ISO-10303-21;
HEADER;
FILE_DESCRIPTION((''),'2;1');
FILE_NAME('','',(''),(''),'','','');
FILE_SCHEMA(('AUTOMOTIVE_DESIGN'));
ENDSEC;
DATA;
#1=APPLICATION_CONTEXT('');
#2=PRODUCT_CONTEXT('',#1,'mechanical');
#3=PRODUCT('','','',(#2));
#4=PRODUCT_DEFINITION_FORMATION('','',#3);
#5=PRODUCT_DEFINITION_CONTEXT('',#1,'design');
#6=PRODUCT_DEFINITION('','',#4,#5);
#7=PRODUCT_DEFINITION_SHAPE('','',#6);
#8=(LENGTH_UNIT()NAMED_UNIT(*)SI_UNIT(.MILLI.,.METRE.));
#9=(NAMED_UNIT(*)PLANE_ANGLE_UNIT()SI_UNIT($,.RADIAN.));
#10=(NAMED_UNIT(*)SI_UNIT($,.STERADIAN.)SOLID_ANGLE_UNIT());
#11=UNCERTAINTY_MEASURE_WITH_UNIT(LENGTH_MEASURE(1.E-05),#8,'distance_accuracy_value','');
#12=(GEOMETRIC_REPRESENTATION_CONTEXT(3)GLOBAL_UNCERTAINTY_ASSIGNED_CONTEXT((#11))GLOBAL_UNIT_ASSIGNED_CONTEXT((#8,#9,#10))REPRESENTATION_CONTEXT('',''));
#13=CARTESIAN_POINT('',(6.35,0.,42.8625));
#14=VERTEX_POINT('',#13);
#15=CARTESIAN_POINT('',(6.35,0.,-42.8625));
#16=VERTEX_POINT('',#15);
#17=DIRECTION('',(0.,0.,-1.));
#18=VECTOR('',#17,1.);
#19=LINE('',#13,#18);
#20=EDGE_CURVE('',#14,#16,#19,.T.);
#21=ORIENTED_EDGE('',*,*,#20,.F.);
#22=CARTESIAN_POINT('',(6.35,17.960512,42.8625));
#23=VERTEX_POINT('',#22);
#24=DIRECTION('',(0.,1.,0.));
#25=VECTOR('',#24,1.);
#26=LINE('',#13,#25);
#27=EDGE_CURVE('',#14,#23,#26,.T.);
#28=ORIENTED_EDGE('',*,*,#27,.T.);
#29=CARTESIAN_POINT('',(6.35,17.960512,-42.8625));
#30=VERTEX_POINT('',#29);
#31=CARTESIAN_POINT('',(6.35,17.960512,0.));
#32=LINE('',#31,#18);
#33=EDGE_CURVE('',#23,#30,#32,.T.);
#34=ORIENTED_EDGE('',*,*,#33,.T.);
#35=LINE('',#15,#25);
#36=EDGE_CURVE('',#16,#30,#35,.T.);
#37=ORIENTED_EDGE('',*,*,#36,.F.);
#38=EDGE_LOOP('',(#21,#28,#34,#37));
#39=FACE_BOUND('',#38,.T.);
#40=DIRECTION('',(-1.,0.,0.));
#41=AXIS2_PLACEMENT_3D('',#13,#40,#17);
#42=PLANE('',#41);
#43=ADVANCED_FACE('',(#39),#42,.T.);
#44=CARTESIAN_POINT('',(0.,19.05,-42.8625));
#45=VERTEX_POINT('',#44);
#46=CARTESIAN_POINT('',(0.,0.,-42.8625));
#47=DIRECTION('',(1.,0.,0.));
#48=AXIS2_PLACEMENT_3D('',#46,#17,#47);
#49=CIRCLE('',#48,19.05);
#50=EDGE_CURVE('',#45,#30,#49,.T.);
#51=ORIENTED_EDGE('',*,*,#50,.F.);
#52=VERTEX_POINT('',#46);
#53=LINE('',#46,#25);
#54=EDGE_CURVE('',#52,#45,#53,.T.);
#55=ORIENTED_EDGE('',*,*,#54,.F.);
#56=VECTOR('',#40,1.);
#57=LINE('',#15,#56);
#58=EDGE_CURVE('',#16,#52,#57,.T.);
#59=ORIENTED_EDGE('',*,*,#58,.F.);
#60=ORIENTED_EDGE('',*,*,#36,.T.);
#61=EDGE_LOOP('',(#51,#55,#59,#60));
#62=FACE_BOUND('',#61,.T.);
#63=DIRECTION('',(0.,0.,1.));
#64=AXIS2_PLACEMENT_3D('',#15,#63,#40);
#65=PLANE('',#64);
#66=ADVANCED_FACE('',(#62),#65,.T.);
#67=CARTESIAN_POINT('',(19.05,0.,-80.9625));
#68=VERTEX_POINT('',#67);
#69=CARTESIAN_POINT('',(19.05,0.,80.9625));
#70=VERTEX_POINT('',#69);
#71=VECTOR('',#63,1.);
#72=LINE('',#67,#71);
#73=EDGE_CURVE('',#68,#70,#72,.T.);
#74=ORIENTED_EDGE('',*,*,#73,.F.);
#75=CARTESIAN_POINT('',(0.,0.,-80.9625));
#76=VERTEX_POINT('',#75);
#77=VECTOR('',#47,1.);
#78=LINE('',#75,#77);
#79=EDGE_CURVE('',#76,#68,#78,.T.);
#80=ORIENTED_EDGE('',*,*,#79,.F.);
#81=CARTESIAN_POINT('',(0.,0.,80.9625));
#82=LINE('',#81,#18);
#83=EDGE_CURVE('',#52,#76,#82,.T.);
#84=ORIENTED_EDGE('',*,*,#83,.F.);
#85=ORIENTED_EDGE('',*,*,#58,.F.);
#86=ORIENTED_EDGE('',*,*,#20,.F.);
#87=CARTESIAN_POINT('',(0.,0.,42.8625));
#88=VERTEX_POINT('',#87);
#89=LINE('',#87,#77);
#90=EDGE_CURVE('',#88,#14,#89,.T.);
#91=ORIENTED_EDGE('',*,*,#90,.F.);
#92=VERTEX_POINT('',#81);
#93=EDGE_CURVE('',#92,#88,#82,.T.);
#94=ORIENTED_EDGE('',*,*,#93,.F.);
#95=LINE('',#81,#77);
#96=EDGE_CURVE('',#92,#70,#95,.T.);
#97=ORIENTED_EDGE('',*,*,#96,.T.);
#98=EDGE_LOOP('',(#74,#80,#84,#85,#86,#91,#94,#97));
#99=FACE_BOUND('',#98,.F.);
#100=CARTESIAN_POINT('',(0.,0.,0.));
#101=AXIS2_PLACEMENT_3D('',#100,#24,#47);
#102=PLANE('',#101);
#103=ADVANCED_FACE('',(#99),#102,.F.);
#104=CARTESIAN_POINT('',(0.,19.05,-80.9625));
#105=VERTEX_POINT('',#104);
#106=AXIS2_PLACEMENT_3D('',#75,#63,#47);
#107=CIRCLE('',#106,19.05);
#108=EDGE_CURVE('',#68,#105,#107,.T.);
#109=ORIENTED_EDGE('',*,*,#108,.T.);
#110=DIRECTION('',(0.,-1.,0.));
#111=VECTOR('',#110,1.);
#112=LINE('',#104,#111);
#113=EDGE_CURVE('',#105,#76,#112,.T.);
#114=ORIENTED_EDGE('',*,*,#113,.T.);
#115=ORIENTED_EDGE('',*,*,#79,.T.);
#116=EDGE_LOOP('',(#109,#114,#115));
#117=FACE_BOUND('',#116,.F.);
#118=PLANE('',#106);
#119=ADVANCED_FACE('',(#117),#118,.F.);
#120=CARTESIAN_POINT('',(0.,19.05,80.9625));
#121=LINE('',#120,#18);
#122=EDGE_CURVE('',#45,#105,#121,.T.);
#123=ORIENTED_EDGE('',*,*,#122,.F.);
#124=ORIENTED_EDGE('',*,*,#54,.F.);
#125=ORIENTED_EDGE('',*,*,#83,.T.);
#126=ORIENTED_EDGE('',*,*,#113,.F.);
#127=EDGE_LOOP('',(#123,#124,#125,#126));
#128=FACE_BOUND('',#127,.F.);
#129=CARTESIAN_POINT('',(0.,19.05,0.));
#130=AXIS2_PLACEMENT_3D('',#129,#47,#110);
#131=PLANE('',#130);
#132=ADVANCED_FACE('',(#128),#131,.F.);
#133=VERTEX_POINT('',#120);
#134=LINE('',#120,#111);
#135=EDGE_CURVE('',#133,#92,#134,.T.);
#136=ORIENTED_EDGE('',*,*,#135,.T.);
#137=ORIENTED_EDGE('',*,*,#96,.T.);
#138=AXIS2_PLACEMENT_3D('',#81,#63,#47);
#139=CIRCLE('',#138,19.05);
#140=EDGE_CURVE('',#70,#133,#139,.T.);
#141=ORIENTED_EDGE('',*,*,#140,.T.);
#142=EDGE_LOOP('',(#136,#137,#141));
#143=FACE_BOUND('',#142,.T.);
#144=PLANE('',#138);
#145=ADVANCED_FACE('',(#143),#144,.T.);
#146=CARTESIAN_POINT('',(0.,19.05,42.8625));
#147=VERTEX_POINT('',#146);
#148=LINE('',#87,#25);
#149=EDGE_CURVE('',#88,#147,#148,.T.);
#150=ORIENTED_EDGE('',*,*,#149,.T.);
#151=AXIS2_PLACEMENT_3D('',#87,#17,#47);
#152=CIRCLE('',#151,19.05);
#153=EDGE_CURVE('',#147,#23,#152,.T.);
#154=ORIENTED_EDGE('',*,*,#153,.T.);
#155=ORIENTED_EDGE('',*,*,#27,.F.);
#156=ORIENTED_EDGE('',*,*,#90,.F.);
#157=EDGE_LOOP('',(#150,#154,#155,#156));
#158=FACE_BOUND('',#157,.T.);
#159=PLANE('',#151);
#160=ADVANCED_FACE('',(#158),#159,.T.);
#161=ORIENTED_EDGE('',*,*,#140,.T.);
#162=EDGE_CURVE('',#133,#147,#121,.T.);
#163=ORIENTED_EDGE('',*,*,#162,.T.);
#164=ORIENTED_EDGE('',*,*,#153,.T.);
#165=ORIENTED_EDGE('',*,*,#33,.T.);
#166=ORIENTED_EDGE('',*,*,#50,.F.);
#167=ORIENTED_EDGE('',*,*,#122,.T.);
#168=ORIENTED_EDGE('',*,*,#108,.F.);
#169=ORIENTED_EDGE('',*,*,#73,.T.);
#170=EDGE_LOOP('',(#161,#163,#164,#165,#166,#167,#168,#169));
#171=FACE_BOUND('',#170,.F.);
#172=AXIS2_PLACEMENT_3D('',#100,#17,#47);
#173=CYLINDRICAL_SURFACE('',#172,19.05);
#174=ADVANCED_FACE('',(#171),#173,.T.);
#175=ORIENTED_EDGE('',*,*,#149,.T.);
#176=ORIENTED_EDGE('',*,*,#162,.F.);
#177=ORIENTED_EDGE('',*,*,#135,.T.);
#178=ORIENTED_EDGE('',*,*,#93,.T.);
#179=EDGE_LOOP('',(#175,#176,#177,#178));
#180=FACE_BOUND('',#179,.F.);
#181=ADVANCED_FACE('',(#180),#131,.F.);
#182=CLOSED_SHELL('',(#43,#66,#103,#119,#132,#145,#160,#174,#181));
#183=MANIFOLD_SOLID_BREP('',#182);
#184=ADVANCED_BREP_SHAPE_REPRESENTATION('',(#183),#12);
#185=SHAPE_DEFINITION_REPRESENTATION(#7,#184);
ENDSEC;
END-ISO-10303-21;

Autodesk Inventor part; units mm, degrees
ref_plane "YZ Plane" through (0, 0, 0) normal (1, 0, 0) x (0, 1, 0)
ref_plane "XZ Plane" through (0, 0, 0) normal (0, 1, 0) x (-1, 0, 0)
ref_plane "XY Plane" through (0, 0, 0) normal (0, 0, 1) x (1, 0, 0)
sketch "Sketch1" plane through (0, 0, 0) normal (0, 0, 1) x (1, 0, 0)
  arc A0 (19.05, 0) -> (0, 19.05) centre (0, 0) ccw
  line L0 (0, 19.05) -> (0, 0)
  line L1 (0, 0) -> (19.05, 0)
  dimension "d0" = 38.1
extrude "Extrusion1" add sketch "Sketch1" along normal mid plane 161.925
sketch "Sketch2" plane through (0, 0, 80.9625) normal (0, -1, 0) x (1, 0, 0)
  line L0 (0, -38.1) -> (6.35, -38.1)
  line L1 (6.35, -38.1) -> (6.35, -123.825)
  line L2 (6.35, -123.825) -> (0, -123.825)
  line L3 (0, -123.825) -> (0, -38.1)
  line L4 (19.05, -161.925) -> (0, -161.925) projected
  line L5 (0, -161.925) -> (0, 0) projected
  point P0 (0, -80.9625)
  dimension "d3" = 85.725
  dimension "d4" = 38.1
  dimension "d5" = 6.35
extrude "Extrusion2" cut sketch "Sketch2" against normal through all
equation "\"d0\" = cornerRoundType"
equation "\"d1\" = lengthOfPart"
equation "\"d3\" = notchCutout"
equation "\"d4\" = bottomLength"
equation "\"d5\" = notchDepth"
equation "\"cornerRoundType\" = 38.1"
equation "\"notchCutout\" = 85.725"
equation "\"bottomLength\" = 38.1"
equation "\"lengthOfPart\" = 2 * bottomLength + notchCutout"
equation "\"notchDepth\" = 6.35"
properties part number "topOfStairs_025_notch"
